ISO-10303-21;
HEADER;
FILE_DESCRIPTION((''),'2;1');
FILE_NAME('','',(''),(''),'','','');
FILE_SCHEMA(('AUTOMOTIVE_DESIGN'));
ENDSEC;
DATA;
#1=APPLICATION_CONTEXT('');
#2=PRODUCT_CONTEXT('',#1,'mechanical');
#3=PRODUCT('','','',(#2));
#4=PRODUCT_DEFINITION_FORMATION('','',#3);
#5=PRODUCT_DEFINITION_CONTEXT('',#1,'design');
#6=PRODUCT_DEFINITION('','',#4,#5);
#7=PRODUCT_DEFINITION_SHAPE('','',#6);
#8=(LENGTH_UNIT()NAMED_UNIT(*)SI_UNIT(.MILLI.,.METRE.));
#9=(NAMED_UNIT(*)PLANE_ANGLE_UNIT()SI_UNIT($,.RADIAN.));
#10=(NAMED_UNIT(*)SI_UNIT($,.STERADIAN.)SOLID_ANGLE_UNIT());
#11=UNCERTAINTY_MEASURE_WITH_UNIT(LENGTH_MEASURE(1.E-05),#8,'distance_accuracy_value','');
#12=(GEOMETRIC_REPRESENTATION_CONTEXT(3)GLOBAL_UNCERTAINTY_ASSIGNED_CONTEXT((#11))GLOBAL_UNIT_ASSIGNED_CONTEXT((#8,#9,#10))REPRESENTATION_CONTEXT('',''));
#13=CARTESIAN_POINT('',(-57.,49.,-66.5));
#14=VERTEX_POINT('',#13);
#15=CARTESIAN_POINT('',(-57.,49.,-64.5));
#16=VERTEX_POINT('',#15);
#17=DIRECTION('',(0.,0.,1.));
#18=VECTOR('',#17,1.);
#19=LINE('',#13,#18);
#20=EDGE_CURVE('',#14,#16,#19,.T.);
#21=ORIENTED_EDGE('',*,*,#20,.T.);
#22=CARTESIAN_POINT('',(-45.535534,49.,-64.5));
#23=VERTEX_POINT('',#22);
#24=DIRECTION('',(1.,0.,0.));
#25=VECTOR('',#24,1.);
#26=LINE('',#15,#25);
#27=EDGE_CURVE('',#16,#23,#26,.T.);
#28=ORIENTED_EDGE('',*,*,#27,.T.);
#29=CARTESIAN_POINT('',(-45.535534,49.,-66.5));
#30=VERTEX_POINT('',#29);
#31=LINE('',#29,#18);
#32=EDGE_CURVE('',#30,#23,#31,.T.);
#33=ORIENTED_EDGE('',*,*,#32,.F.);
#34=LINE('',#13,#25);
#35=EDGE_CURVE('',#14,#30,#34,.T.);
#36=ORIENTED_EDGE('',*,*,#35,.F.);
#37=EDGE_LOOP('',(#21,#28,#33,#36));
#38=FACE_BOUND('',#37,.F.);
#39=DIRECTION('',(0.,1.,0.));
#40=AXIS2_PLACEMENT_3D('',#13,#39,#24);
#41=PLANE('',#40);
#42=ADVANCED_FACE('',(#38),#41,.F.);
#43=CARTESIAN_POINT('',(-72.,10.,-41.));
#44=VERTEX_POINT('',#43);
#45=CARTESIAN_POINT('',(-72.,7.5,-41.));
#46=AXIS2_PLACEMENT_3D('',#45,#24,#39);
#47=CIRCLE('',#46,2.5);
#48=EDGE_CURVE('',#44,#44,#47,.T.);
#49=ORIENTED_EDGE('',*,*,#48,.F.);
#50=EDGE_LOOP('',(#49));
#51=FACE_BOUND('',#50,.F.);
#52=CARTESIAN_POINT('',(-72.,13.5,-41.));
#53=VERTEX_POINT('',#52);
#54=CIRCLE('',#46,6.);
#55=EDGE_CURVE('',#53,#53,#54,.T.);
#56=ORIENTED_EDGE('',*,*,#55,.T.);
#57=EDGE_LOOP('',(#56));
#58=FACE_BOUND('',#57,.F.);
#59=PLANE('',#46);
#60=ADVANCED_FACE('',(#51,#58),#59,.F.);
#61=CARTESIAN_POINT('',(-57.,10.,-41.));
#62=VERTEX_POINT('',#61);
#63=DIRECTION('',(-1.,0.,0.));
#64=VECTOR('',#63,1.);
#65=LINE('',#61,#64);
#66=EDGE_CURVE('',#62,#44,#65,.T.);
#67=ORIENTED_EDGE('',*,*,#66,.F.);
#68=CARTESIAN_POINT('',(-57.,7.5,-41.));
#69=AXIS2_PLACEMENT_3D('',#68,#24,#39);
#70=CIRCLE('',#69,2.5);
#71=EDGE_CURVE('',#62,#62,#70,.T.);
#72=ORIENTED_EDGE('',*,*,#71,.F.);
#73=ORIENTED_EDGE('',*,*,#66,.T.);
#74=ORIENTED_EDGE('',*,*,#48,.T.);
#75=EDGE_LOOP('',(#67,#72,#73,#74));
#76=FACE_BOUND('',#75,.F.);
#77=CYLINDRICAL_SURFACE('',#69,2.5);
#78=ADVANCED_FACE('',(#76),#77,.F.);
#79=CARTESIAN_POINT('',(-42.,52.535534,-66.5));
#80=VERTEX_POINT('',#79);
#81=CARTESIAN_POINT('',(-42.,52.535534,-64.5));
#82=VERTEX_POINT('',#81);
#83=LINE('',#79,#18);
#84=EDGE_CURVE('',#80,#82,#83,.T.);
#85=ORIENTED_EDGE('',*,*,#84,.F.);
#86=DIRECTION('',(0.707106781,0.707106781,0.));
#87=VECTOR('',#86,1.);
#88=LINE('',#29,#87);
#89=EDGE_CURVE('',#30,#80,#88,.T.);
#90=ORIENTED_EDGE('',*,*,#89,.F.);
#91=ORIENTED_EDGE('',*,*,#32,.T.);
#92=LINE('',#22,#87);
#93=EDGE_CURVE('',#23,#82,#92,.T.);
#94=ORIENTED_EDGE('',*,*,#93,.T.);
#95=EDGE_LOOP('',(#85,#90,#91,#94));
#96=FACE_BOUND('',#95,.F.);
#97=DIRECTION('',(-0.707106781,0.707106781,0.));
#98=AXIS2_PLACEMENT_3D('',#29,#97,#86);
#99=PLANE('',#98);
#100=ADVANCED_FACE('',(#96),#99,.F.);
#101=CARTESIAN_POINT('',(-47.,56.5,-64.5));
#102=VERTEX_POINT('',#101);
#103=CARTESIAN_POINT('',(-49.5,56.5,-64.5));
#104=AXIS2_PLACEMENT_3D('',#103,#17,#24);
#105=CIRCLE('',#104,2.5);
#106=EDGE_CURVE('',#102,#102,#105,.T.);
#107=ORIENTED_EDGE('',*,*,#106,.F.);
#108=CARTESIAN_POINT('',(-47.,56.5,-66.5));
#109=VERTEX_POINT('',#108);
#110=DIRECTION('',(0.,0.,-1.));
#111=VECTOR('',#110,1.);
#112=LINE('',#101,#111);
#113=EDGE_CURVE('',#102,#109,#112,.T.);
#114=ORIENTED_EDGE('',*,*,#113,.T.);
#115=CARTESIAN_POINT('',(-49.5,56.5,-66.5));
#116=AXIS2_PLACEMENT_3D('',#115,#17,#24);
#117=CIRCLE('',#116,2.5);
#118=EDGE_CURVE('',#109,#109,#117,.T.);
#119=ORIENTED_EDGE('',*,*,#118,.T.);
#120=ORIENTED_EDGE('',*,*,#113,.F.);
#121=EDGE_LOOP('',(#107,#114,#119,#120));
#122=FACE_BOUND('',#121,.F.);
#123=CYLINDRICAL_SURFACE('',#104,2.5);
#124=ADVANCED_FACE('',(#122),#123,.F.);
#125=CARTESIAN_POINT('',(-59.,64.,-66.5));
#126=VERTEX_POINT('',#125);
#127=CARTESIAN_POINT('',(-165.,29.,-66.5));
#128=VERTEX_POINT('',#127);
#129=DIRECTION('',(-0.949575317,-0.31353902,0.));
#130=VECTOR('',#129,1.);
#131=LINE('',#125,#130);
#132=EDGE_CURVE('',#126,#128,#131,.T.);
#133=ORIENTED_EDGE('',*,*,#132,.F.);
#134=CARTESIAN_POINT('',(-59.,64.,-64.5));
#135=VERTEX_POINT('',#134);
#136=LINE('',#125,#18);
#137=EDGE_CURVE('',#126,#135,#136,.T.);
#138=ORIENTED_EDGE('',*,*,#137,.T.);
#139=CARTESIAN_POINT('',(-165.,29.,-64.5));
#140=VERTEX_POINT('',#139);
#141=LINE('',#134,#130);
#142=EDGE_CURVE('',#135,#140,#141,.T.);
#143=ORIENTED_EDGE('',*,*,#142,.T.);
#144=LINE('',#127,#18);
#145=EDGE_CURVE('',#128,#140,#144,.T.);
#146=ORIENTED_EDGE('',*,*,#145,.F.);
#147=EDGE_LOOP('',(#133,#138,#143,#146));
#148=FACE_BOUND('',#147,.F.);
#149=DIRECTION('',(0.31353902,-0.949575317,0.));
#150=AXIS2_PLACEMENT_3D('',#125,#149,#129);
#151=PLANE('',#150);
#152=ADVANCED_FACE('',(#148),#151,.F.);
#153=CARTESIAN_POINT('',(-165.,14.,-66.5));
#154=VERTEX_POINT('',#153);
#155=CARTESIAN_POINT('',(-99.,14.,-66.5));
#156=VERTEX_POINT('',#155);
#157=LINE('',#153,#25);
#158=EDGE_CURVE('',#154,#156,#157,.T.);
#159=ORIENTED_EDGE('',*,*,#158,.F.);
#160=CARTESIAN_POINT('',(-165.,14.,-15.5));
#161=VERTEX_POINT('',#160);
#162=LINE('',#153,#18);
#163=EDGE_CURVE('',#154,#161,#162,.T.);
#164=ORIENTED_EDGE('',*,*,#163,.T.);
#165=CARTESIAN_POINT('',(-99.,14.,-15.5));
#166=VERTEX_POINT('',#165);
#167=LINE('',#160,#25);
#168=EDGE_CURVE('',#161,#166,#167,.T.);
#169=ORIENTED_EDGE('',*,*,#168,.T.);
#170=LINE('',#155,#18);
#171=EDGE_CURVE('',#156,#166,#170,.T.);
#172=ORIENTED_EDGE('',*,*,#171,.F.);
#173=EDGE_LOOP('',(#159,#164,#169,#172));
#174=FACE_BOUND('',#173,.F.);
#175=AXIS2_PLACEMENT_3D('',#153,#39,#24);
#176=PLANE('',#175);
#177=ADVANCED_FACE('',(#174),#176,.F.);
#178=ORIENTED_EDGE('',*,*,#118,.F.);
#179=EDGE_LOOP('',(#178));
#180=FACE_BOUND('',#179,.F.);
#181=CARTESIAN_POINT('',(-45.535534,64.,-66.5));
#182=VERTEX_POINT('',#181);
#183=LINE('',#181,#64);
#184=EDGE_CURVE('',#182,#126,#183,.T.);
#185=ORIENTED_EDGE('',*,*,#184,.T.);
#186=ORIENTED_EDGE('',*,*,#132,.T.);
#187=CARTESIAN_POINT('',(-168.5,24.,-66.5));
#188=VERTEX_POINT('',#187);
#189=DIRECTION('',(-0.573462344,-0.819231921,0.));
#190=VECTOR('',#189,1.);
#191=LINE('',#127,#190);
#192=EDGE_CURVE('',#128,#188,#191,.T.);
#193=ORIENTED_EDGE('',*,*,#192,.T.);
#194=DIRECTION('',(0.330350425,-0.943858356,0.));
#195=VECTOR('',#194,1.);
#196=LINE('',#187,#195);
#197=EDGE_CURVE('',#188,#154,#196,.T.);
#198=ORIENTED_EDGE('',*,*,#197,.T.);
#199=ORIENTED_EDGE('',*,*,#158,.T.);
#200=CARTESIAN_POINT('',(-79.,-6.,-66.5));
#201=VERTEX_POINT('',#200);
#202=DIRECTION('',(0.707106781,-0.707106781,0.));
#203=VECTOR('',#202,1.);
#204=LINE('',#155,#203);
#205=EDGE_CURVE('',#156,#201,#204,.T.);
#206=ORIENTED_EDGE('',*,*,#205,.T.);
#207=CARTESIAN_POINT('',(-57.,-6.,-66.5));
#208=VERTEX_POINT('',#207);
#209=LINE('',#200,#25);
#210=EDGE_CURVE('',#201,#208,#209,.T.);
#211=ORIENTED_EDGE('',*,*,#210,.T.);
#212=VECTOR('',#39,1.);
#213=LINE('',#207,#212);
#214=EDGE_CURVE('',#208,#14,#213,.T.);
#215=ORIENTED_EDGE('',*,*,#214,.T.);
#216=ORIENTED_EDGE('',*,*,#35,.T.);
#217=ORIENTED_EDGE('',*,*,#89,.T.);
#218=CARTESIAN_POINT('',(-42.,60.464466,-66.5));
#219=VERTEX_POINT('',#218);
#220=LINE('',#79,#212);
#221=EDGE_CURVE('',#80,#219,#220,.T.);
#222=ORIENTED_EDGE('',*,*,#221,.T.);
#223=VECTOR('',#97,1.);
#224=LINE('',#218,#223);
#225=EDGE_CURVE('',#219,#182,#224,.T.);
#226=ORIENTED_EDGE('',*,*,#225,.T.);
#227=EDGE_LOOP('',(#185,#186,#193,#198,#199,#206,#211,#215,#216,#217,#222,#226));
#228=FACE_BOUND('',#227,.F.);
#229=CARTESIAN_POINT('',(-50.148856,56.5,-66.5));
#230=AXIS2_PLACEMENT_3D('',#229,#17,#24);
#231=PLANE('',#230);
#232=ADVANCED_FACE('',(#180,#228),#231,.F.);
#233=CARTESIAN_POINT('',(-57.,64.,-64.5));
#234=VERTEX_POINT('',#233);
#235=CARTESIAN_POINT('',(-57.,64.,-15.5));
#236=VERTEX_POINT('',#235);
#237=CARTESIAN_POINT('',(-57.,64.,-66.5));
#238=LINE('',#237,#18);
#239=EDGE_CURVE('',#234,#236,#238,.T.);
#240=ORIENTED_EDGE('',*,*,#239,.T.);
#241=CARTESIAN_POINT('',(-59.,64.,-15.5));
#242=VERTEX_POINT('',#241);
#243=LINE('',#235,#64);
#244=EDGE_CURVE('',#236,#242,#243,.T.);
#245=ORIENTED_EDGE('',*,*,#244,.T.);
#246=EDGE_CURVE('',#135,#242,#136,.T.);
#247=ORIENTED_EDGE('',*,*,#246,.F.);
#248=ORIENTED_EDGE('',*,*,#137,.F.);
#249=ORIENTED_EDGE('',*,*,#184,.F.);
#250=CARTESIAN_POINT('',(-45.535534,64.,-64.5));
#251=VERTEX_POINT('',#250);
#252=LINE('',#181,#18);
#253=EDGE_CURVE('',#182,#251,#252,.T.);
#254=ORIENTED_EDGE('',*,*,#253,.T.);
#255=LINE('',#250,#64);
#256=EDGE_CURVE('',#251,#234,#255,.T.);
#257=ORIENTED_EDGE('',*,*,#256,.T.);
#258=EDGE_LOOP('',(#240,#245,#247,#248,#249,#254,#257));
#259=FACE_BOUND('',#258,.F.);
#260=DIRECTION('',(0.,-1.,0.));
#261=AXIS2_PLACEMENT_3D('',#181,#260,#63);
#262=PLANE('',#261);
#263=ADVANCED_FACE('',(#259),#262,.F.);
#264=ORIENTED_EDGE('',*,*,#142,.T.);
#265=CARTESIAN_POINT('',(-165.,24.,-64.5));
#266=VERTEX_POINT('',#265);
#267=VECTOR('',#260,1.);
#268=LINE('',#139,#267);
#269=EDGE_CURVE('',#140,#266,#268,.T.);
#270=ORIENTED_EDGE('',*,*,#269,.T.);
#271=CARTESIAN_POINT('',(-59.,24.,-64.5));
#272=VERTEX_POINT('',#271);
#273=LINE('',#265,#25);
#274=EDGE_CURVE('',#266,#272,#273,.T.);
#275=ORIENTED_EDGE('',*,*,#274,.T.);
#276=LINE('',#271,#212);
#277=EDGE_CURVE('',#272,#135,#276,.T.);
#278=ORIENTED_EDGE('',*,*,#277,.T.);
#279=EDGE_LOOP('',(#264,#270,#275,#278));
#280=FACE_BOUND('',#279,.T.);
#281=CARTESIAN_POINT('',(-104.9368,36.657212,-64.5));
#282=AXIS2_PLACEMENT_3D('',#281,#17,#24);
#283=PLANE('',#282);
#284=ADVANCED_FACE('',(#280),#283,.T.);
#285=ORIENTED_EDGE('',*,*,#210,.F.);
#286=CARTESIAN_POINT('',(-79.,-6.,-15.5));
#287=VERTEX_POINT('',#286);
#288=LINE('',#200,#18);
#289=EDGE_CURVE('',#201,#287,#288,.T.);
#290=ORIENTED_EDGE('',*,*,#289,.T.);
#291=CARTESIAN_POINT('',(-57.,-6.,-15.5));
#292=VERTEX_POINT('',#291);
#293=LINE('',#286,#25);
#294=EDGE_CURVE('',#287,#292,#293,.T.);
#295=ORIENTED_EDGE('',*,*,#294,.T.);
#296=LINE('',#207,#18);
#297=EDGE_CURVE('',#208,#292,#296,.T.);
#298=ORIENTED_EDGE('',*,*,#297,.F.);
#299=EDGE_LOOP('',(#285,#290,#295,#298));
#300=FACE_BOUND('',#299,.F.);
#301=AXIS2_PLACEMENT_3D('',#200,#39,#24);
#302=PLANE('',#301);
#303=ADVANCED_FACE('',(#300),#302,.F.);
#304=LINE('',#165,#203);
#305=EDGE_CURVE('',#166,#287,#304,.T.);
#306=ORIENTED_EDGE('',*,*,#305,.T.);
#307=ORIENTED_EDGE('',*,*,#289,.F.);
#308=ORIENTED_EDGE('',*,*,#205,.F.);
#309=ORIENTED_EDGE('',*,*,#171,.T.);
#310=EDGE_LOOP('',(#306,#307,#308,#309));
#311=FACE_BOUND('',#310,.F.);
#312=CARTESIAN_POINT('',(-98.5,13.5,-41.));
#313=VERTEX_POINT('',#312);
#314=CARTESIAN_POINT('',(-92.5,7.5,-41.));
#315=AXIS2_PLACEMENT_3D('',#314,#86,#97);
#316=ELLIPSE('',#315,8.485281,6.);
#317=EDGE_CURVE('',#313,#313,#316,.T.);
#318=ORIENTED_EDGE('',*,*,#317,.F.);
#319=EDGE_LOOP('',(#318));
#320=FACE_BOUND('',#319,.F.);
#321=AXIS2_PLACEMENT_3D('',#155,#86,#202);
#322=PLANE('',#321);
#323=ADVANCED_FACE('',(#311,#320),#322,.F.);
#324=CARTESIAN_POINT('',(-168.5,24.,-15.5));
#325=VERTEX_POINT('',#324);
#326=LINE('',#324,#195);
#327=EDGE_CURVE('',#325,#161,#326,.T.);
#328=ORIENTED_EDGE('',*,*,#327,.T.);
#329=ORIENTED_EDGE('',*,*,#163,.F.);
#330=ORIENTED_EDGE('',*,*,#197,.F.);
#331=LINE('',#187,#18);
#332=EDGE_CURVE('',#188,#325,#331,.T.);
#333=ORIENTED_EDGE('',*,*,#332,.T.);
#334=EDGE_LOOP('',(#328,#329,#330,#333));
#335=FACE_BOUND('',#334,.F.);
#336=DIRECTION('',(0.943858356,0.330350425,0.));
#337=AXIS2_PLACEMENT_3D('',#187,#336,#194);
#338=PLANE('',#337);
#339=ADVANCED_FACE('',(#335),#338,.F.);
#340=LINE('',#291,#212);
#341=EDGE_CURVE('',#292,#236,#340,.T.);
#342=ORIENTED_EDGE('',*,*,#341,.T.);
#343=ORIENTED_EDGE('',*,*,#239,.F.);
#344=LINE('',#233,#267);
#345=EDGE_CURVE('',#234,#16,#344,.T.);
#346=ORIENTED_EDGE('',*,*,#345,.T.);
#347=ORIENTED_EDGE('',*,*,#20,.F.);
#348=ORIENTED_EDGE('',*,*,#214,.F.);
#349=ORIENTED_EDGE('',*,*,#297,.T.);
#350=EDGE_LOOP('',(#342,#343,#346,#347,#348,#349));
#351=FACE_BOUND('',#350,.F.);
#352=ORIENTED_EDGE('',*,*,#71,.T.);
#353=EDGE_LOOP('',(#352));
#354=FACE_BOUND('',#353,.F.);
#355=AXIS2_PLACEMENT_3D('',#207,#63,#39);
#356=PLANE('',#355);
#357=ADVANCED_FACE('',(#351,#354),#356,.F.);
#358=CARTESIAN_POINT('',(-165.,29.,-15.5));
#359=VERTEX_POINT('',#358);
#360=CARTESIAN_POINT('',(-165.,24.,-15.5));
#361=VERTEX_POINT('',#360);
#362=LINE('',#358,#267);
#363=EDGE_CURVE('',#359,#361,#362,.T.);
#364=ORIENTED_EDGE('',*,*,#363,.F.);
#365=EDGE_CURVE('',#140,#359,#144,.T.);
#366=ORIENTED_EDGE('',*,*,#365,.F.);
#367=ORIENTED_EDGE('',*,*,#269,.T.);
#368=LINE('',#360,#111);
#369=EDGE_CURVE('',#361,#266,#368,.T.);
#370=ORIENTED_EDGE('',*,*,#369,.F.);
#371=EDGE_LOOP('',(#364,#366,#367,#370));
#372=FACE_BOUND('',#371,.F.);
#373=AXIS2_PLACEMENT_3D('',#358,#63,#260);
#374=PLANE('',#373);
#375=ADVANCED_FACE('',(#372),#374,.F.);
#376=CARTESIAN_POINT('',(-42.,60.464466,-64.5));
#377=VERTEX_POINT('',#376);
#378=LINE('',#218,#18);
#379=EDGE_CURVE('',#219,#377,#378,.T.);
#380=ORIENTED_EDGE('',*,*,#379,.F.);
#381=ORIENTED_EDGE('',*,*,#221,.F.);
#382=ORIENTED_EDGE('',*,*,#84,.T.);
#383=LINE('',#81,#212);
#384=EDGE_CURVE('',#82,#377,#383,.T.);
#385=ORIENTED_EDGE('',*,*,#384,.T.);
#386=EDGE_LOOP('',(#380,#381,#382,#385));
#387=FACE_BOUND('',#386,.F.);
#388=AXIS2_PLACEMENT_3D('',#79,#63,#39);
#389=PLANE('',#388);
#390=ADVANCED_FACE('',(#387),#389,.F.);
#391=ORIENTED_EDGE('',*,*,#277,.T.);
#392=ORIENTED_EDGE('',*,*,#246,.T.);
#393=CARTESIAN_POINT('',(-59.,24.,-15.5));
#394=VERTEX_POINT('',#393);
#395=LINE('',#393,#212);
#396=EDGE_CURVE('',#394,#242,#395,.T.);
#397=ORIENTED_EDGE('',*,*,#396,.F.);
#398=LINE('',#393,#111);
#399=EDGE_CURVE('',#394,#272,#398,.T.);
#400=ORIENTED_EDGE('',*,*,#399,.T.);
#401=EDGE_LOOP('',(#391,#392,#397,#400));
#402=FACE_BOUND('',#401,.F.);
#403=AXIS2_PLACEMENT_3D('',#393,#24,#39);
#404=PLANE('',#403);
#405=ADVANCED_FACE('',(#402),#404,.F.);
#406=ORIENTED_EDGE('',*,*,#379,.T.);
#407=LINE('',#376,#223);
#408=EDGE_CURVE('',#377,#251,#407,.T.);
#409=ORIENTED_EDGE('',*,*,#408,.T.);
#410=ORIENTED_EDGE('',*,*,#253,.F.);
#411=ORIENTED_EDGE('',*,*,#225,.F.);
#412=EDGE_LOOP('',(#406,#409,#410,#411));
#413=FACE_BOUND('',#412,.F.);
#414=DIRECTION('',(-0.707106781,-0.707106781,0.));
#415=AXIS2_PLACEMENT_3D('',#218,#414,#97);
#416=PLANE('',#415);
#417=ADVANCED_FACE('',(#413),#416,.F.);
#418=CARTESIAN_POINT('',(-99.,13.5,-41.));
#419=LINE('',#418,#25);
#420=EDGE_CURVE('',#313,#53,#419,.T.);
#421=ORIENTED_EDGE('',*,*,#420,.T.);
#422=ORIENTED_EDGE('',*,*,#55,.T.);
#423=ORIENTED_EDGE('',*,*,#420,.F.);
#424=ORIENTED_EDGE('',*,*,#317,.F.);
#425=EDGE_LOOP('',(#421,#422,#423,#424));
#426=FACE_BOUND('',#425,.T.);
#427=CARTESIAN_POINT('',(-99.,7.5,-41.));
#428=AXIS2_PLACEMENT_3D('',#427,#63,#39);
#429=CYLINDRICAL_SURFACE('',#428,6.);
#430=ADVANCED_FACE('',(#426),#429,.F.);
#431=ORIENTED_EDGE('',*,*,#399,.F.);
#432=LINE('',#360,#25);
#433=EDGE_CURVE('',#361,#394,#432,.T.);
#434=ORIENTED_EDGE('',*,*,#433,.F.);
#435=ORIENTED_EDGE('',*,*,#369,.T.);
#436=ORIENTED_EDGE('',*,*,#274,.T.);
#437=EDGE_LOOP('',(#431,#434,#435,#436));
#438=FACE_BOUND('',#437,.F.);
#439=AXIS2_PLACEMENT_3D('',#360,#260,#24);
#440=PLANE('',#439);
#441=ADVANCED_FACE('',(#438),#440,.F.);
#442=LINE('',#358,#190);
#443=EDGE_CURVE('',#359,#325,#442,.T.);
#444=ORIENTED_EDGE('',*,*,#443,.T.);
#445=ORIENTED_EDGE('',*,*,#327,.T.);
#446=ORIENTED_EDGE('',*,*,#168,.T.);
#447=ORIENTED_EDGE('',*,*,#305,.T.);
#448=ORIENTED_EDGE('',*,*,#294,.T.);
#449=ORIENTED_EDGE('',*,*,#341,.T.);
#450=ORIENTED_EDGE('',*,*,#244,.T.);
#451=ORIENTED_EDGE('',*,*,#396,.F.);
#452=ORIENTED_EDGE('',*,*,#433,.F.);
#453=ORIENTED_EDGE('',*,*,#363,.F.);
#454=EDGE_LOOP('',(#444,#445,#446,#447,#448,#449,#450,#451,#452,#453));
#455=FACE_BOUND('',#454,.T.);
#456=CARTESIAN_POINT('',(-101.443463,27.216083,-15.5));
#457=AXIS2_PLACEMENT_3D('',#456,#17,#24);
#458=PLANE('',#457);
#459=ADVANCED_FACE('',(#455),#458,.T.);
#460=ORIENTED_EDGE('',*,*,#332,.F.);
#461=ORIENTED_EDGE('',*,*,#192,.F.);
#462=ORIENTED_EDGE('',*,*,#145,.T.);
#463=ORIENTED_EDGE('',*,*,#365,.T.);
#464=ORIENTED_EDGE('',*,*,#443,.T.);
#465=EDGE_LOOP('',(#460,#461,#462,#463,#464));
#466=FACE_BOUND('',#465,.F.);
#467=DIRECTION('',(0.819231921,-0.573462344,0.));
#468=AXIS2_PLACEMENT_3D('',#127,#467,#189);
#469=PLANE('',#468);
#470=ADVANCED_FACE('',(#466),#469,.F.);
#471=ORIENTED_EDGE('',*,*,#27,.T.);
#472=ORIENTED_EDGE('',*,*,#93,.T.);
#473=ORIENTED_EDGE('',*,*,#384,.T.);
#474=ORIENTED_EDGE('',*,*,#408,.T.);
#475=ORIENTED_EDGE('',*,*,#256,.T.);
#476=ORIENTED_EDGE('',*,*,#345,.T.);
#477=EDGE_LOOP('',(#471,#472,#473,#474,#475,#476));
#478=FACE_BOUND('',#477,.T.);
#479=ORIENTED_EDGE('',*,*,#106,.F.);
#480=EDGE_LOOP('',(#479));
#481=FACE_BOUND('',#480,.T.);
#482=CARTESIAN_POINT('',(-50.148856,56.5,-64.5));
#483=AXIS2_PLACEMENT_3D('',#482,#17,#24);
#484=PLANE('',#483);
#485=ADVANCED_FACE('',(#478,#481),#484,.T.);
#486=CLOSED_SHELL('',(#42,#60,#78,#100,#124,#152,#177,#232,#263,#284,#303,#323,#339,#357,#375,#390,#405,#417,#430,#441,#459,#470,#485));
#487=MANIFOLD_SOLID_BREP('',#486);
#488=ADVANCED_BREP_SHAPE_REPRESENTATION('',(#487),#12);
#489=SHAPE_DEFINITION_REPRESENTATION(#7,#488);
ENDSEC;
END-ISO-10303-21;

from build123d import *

# Parameters (mm, degrees)
PAD004_DEPTH    = 51
POCKET008_DEPTH = 49
SKETCH014_R     = 2.5
POCKET009_DEPTH = 111.501
SKETCH015_R     = 6
POCKET010_DEPTH = 27
PAD005_DEPTH    = 2
SKETCH017_R     = 2.5
POCKET011_DEPTH = 5


with BuildPart() as part:
    # Sketch012 → Pad004 (new body)
    with BuildSketch(Plane.XY):
        Polygon((40, 50), (-66, 15), (-69.5, 10), (-66, 0), (0, 0), (20, -20), (42, -20), (42, 50), align=None)
    extrude(amount=PAD004_DEPTH)

    # Sketch013 (on Face10 of Pad004) → Pocket008 (cut)
    with BuildSketch(Plane.XY.offset(51)):
        Polygon((40, 50), (-66, 15), (-66, 10), (40, 10), align=None)
    extrude(amount=-POCKET008_DEPTH, mode=Mode.SUBTRACT)

    # Sketch014 (on Face10 of Pocket008) → Pocket009 (cut, through all)
    with BuildSketch(Plane.YZ.offset(42)):
        with Locations((-6.5, 25.5)):
            Circle(SKETCH014_R)
    extrude(amount=-POCKET009_DEPTH, mode=Mode.SUBTRACT)

    # Sketch015 → Pocket010 (cut)
    with BuildSketch(Plane.YZ):
        with Locations((-6.5, 25.5)):
            Circle(SKETCH015_R)
    extrude(amount=POCKET010_DEPTH, mode=Mode.SUBTRACT)

    # Sketch016 → Pad005 (join)
    with BuildSketch(Plane.XY):
        Polygon((53.464466, 50), (42, 50), (42, 35), (53.464466, 35), (57, 38.535534), (57, 46.464466), align=None)
    extrude(amount=PAD005_DEPTH)

    # Sketch017 (on Face19 of Pad005) → Pocket011 (cut)
    with BuildSketch(Plane.XY.offset(2)):
        with Locations((49.5, 42.5)):
            Circle(SKETCH017_R)
    extrude(amount=-POCKET011_DEPTH, mode=Mode.SUBTRACT)


with BuildPart() as part_1:
    # Body001 placement: moved
    add(part.part.moved(Location((-99, 14, -66.5))))


solid = part_1.part
